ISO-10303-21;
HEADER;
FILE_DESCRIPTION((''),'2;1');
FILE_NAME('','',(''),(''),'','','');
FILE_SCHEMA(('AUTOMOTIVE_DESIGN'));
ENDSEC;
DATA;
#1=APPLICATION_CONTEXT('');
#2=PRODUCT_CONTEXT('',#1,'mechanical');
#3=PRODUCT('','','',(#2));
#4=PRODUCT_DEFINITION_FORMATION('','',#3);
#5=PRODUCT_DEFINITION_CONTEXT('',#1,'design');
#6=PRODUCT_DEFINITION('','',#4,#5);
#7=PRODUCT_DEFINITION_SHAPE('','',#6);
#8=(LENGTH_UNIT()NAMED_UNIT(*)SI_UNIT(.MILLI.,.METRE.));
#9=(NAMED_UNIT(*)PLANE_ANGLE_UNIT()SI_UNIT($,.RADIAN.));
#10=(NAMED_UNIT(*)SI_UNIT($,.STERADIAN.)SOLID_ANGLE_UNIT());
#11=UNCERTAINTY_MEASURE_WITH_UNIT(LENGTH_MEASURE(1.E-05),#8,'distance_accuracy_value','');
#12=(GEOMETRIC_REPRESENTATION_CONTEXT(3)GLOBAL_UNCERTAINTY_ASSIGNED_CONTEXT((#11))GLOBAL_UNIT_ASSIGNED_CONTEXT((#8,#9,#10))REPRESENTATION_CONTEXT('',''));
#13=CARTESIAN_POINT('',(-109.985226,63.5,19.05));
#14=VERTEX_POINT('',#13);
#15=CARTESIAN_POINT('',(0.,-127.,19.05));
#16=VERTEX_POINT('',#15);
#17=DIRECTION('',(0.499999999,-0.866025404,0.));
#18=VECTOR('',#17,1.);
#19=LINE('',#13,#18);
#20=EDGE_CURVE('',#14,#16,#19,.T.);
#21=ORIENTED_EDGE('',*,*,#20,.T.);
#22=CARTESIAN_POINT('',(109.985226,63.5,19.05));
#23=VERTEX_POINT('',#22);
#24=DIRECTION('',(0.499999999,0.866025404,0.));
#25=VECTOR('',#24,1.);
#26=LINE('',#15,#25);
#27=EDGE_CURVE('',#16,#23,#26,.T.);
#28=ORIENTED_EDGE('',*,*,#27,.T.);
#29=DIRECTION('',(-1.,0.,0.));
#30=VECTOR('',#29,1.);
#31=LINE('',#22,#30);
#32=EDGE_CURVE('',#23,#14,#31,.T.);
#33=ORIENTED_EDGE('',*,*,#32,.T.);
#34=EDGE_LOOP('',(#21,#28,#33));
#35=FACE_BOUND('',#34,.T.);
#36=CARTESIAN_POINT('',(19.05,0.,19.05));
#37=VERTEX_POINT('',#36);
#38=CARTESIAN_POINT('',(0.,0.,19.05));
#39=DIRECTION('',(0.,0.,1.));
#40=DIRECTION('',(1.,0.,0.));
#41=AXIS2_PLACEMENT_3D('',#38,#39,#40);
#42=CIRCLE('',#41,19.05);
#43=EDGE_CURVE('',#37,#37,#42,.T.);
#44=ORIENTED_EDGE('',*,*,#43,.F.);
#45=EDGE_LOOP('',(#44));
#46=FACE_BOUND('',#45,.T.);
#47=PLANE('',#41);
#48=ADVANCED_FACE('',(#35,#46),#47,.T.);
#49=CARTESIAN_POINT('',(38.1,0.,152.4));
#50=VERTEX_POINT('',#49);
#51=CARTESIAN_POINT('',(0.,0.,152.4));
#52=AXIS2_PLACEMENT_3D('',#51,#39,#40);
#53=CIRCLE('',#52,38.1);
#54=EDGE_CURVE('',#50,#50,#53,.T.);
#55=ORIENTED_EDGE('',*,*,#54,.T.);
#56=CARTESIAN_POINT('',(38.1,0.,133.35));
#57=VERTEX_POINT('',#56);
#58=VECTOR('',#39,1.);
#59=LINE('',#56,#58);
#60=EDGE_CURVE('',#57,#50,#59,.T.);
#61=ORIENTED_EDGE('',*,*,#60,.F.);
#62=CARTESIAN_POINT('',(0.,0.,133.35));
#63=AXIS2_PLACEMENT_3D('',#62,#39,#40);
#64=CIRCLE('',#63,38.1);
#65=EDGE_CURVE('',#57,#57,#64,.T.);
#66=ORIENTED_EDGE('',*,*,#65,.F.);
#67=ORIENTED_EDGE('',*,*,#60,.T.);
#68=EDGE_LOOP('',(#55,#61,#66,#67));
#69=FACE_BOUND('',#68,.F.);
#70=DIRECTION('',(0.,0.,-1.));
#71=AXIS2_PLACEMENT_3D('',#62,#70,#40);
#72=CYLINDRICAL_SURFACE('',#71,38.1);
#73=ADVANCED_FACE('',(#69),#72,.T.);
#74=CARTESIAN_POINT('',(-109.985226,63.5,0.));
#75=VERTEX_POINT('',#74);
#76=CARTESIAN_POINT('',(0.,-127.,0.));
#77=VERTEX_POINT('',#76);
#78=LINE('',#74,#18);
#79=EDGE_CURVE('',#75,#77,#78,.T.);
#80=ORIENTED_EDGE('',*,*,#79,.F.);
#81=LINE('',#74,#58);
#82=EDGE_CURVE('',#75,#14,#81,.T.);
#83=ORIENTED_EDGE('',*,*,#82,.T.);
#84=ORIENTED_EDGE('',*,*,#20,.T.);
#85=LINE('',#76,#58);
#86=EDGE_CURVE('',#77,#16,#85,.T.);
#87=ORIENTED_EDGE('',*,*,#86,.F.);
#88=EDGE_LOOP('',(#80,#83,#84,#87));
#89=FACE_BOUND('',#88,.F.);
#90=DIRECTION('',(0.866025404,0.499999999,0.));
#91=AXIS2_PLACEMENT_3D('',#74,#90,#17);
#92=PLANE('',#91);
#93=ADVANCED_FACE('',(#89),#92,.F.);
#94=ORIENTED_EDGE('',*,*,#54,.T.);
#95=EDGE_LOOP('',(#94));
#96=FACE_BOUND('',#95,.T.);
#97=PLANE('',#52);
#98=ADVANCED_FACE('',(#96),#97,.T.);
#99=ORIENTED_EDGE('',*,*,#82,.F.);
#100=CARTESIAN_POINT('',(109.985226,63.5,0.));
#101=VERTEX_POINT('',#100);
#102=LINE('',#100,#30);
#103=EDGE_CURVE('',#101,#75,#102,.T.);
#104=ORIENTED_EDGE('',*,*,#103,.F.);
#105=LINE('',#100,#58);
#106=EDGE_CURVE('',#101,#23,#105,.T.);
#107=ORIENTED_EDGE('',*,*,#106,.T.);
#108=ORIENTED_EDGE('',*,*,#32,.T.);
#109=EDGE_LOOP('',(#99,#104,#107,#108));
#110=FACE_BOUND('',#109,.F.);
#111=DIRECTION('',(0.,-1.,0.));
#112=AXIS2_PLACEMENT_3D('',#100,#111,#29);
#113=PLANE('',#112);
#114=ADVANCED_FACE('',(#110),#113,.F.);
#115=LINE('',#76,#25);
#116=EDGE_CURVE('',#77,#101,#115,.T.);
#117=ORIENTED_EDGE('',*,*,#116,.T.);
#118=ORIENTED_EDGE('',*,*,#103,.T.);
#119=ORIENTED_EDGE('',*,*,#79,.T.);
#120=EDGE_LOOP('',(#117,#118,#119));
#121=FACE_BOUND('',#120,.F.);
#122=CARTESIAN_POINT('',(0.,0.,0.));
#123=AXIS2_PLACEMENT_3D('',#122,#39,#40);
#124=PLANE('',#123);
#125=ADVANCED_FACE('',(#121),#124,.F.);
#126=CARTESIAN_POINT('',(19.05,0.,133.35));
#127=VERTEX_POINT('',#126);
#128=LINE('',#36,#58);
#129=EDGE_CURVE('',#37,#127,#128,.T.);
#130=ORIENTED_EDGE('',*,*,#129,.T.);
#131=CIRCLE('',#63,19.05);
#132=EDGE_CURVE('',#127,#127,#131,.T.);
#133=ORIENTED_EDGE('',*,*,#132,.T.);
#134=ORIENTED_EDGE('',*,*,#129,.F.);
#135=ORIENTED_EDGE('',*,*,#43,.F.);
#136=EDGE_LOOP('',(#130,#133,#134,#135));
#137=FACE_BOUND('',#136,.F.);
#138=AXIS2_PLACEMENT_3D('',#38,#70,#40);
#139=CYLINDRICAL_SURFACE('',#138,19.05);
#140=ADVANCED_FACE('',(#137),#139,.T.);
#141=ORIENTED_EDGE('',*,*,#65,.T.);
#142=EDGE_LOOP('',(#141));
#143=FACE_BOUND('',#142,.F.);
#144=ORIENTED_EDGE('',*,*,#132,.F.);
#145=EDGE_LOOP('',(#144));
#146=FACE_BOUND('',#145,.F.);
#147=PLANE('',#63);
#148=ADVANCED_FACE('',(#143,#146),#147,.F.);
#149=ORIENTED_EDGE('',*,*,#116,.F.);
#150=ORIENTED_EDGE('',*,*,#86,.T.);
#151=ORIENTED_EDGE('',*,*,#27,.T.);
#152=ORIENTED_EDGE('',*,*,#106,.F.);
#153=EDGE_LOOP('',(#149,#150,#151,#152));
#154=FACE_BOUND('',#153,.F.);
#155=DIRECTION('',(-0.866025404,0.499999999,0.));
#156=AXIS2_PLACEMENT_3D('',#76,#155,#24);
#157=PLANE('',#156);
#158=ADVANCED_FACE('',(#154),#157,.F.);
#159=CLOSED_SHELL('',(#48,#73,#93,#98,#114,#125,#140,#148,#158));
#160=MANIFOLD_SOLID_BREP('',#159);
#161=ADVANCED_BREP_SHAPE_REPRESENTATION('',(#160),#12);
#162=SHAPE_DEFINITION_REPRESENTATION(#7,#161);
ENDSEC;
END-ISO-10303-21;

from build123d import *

# Parameters (mm, degrees)
F1_DEPTH = 19.05
F2_R     = 19.05
F3_DEPTH = 114.3
F4_R     = 38.1
F4_R_2   = 19.05
F5_DEPTH = 19.05


with BuildPart() as f1:
    # F0 (on Top) → F1 (new body)
    with BuildSketch(Plane.XY):
        Polygon((-109.985226, 63.5), (0, -127), (109.985226, 63.5), align=None)
    extrude(amount=F1_DEPTH)

    # F2 (on face) → F3 (join)
    with BuildSketch(Plane.XY.offset(19.05)):
        Circle(F2_R)
    extrude(amount=F3_DEPTH)

    # F4 (on face) → F5 (join)
    with BuildSketch(Plane.XY.offset(133.35)):
        Circle(F4_R)
        Circle(F4_R_2, mode=Mode.SUBTRACT)
        Circle(F4_R_2)
    extrude(amount=F5_DEPTH)


solid = f1.part
